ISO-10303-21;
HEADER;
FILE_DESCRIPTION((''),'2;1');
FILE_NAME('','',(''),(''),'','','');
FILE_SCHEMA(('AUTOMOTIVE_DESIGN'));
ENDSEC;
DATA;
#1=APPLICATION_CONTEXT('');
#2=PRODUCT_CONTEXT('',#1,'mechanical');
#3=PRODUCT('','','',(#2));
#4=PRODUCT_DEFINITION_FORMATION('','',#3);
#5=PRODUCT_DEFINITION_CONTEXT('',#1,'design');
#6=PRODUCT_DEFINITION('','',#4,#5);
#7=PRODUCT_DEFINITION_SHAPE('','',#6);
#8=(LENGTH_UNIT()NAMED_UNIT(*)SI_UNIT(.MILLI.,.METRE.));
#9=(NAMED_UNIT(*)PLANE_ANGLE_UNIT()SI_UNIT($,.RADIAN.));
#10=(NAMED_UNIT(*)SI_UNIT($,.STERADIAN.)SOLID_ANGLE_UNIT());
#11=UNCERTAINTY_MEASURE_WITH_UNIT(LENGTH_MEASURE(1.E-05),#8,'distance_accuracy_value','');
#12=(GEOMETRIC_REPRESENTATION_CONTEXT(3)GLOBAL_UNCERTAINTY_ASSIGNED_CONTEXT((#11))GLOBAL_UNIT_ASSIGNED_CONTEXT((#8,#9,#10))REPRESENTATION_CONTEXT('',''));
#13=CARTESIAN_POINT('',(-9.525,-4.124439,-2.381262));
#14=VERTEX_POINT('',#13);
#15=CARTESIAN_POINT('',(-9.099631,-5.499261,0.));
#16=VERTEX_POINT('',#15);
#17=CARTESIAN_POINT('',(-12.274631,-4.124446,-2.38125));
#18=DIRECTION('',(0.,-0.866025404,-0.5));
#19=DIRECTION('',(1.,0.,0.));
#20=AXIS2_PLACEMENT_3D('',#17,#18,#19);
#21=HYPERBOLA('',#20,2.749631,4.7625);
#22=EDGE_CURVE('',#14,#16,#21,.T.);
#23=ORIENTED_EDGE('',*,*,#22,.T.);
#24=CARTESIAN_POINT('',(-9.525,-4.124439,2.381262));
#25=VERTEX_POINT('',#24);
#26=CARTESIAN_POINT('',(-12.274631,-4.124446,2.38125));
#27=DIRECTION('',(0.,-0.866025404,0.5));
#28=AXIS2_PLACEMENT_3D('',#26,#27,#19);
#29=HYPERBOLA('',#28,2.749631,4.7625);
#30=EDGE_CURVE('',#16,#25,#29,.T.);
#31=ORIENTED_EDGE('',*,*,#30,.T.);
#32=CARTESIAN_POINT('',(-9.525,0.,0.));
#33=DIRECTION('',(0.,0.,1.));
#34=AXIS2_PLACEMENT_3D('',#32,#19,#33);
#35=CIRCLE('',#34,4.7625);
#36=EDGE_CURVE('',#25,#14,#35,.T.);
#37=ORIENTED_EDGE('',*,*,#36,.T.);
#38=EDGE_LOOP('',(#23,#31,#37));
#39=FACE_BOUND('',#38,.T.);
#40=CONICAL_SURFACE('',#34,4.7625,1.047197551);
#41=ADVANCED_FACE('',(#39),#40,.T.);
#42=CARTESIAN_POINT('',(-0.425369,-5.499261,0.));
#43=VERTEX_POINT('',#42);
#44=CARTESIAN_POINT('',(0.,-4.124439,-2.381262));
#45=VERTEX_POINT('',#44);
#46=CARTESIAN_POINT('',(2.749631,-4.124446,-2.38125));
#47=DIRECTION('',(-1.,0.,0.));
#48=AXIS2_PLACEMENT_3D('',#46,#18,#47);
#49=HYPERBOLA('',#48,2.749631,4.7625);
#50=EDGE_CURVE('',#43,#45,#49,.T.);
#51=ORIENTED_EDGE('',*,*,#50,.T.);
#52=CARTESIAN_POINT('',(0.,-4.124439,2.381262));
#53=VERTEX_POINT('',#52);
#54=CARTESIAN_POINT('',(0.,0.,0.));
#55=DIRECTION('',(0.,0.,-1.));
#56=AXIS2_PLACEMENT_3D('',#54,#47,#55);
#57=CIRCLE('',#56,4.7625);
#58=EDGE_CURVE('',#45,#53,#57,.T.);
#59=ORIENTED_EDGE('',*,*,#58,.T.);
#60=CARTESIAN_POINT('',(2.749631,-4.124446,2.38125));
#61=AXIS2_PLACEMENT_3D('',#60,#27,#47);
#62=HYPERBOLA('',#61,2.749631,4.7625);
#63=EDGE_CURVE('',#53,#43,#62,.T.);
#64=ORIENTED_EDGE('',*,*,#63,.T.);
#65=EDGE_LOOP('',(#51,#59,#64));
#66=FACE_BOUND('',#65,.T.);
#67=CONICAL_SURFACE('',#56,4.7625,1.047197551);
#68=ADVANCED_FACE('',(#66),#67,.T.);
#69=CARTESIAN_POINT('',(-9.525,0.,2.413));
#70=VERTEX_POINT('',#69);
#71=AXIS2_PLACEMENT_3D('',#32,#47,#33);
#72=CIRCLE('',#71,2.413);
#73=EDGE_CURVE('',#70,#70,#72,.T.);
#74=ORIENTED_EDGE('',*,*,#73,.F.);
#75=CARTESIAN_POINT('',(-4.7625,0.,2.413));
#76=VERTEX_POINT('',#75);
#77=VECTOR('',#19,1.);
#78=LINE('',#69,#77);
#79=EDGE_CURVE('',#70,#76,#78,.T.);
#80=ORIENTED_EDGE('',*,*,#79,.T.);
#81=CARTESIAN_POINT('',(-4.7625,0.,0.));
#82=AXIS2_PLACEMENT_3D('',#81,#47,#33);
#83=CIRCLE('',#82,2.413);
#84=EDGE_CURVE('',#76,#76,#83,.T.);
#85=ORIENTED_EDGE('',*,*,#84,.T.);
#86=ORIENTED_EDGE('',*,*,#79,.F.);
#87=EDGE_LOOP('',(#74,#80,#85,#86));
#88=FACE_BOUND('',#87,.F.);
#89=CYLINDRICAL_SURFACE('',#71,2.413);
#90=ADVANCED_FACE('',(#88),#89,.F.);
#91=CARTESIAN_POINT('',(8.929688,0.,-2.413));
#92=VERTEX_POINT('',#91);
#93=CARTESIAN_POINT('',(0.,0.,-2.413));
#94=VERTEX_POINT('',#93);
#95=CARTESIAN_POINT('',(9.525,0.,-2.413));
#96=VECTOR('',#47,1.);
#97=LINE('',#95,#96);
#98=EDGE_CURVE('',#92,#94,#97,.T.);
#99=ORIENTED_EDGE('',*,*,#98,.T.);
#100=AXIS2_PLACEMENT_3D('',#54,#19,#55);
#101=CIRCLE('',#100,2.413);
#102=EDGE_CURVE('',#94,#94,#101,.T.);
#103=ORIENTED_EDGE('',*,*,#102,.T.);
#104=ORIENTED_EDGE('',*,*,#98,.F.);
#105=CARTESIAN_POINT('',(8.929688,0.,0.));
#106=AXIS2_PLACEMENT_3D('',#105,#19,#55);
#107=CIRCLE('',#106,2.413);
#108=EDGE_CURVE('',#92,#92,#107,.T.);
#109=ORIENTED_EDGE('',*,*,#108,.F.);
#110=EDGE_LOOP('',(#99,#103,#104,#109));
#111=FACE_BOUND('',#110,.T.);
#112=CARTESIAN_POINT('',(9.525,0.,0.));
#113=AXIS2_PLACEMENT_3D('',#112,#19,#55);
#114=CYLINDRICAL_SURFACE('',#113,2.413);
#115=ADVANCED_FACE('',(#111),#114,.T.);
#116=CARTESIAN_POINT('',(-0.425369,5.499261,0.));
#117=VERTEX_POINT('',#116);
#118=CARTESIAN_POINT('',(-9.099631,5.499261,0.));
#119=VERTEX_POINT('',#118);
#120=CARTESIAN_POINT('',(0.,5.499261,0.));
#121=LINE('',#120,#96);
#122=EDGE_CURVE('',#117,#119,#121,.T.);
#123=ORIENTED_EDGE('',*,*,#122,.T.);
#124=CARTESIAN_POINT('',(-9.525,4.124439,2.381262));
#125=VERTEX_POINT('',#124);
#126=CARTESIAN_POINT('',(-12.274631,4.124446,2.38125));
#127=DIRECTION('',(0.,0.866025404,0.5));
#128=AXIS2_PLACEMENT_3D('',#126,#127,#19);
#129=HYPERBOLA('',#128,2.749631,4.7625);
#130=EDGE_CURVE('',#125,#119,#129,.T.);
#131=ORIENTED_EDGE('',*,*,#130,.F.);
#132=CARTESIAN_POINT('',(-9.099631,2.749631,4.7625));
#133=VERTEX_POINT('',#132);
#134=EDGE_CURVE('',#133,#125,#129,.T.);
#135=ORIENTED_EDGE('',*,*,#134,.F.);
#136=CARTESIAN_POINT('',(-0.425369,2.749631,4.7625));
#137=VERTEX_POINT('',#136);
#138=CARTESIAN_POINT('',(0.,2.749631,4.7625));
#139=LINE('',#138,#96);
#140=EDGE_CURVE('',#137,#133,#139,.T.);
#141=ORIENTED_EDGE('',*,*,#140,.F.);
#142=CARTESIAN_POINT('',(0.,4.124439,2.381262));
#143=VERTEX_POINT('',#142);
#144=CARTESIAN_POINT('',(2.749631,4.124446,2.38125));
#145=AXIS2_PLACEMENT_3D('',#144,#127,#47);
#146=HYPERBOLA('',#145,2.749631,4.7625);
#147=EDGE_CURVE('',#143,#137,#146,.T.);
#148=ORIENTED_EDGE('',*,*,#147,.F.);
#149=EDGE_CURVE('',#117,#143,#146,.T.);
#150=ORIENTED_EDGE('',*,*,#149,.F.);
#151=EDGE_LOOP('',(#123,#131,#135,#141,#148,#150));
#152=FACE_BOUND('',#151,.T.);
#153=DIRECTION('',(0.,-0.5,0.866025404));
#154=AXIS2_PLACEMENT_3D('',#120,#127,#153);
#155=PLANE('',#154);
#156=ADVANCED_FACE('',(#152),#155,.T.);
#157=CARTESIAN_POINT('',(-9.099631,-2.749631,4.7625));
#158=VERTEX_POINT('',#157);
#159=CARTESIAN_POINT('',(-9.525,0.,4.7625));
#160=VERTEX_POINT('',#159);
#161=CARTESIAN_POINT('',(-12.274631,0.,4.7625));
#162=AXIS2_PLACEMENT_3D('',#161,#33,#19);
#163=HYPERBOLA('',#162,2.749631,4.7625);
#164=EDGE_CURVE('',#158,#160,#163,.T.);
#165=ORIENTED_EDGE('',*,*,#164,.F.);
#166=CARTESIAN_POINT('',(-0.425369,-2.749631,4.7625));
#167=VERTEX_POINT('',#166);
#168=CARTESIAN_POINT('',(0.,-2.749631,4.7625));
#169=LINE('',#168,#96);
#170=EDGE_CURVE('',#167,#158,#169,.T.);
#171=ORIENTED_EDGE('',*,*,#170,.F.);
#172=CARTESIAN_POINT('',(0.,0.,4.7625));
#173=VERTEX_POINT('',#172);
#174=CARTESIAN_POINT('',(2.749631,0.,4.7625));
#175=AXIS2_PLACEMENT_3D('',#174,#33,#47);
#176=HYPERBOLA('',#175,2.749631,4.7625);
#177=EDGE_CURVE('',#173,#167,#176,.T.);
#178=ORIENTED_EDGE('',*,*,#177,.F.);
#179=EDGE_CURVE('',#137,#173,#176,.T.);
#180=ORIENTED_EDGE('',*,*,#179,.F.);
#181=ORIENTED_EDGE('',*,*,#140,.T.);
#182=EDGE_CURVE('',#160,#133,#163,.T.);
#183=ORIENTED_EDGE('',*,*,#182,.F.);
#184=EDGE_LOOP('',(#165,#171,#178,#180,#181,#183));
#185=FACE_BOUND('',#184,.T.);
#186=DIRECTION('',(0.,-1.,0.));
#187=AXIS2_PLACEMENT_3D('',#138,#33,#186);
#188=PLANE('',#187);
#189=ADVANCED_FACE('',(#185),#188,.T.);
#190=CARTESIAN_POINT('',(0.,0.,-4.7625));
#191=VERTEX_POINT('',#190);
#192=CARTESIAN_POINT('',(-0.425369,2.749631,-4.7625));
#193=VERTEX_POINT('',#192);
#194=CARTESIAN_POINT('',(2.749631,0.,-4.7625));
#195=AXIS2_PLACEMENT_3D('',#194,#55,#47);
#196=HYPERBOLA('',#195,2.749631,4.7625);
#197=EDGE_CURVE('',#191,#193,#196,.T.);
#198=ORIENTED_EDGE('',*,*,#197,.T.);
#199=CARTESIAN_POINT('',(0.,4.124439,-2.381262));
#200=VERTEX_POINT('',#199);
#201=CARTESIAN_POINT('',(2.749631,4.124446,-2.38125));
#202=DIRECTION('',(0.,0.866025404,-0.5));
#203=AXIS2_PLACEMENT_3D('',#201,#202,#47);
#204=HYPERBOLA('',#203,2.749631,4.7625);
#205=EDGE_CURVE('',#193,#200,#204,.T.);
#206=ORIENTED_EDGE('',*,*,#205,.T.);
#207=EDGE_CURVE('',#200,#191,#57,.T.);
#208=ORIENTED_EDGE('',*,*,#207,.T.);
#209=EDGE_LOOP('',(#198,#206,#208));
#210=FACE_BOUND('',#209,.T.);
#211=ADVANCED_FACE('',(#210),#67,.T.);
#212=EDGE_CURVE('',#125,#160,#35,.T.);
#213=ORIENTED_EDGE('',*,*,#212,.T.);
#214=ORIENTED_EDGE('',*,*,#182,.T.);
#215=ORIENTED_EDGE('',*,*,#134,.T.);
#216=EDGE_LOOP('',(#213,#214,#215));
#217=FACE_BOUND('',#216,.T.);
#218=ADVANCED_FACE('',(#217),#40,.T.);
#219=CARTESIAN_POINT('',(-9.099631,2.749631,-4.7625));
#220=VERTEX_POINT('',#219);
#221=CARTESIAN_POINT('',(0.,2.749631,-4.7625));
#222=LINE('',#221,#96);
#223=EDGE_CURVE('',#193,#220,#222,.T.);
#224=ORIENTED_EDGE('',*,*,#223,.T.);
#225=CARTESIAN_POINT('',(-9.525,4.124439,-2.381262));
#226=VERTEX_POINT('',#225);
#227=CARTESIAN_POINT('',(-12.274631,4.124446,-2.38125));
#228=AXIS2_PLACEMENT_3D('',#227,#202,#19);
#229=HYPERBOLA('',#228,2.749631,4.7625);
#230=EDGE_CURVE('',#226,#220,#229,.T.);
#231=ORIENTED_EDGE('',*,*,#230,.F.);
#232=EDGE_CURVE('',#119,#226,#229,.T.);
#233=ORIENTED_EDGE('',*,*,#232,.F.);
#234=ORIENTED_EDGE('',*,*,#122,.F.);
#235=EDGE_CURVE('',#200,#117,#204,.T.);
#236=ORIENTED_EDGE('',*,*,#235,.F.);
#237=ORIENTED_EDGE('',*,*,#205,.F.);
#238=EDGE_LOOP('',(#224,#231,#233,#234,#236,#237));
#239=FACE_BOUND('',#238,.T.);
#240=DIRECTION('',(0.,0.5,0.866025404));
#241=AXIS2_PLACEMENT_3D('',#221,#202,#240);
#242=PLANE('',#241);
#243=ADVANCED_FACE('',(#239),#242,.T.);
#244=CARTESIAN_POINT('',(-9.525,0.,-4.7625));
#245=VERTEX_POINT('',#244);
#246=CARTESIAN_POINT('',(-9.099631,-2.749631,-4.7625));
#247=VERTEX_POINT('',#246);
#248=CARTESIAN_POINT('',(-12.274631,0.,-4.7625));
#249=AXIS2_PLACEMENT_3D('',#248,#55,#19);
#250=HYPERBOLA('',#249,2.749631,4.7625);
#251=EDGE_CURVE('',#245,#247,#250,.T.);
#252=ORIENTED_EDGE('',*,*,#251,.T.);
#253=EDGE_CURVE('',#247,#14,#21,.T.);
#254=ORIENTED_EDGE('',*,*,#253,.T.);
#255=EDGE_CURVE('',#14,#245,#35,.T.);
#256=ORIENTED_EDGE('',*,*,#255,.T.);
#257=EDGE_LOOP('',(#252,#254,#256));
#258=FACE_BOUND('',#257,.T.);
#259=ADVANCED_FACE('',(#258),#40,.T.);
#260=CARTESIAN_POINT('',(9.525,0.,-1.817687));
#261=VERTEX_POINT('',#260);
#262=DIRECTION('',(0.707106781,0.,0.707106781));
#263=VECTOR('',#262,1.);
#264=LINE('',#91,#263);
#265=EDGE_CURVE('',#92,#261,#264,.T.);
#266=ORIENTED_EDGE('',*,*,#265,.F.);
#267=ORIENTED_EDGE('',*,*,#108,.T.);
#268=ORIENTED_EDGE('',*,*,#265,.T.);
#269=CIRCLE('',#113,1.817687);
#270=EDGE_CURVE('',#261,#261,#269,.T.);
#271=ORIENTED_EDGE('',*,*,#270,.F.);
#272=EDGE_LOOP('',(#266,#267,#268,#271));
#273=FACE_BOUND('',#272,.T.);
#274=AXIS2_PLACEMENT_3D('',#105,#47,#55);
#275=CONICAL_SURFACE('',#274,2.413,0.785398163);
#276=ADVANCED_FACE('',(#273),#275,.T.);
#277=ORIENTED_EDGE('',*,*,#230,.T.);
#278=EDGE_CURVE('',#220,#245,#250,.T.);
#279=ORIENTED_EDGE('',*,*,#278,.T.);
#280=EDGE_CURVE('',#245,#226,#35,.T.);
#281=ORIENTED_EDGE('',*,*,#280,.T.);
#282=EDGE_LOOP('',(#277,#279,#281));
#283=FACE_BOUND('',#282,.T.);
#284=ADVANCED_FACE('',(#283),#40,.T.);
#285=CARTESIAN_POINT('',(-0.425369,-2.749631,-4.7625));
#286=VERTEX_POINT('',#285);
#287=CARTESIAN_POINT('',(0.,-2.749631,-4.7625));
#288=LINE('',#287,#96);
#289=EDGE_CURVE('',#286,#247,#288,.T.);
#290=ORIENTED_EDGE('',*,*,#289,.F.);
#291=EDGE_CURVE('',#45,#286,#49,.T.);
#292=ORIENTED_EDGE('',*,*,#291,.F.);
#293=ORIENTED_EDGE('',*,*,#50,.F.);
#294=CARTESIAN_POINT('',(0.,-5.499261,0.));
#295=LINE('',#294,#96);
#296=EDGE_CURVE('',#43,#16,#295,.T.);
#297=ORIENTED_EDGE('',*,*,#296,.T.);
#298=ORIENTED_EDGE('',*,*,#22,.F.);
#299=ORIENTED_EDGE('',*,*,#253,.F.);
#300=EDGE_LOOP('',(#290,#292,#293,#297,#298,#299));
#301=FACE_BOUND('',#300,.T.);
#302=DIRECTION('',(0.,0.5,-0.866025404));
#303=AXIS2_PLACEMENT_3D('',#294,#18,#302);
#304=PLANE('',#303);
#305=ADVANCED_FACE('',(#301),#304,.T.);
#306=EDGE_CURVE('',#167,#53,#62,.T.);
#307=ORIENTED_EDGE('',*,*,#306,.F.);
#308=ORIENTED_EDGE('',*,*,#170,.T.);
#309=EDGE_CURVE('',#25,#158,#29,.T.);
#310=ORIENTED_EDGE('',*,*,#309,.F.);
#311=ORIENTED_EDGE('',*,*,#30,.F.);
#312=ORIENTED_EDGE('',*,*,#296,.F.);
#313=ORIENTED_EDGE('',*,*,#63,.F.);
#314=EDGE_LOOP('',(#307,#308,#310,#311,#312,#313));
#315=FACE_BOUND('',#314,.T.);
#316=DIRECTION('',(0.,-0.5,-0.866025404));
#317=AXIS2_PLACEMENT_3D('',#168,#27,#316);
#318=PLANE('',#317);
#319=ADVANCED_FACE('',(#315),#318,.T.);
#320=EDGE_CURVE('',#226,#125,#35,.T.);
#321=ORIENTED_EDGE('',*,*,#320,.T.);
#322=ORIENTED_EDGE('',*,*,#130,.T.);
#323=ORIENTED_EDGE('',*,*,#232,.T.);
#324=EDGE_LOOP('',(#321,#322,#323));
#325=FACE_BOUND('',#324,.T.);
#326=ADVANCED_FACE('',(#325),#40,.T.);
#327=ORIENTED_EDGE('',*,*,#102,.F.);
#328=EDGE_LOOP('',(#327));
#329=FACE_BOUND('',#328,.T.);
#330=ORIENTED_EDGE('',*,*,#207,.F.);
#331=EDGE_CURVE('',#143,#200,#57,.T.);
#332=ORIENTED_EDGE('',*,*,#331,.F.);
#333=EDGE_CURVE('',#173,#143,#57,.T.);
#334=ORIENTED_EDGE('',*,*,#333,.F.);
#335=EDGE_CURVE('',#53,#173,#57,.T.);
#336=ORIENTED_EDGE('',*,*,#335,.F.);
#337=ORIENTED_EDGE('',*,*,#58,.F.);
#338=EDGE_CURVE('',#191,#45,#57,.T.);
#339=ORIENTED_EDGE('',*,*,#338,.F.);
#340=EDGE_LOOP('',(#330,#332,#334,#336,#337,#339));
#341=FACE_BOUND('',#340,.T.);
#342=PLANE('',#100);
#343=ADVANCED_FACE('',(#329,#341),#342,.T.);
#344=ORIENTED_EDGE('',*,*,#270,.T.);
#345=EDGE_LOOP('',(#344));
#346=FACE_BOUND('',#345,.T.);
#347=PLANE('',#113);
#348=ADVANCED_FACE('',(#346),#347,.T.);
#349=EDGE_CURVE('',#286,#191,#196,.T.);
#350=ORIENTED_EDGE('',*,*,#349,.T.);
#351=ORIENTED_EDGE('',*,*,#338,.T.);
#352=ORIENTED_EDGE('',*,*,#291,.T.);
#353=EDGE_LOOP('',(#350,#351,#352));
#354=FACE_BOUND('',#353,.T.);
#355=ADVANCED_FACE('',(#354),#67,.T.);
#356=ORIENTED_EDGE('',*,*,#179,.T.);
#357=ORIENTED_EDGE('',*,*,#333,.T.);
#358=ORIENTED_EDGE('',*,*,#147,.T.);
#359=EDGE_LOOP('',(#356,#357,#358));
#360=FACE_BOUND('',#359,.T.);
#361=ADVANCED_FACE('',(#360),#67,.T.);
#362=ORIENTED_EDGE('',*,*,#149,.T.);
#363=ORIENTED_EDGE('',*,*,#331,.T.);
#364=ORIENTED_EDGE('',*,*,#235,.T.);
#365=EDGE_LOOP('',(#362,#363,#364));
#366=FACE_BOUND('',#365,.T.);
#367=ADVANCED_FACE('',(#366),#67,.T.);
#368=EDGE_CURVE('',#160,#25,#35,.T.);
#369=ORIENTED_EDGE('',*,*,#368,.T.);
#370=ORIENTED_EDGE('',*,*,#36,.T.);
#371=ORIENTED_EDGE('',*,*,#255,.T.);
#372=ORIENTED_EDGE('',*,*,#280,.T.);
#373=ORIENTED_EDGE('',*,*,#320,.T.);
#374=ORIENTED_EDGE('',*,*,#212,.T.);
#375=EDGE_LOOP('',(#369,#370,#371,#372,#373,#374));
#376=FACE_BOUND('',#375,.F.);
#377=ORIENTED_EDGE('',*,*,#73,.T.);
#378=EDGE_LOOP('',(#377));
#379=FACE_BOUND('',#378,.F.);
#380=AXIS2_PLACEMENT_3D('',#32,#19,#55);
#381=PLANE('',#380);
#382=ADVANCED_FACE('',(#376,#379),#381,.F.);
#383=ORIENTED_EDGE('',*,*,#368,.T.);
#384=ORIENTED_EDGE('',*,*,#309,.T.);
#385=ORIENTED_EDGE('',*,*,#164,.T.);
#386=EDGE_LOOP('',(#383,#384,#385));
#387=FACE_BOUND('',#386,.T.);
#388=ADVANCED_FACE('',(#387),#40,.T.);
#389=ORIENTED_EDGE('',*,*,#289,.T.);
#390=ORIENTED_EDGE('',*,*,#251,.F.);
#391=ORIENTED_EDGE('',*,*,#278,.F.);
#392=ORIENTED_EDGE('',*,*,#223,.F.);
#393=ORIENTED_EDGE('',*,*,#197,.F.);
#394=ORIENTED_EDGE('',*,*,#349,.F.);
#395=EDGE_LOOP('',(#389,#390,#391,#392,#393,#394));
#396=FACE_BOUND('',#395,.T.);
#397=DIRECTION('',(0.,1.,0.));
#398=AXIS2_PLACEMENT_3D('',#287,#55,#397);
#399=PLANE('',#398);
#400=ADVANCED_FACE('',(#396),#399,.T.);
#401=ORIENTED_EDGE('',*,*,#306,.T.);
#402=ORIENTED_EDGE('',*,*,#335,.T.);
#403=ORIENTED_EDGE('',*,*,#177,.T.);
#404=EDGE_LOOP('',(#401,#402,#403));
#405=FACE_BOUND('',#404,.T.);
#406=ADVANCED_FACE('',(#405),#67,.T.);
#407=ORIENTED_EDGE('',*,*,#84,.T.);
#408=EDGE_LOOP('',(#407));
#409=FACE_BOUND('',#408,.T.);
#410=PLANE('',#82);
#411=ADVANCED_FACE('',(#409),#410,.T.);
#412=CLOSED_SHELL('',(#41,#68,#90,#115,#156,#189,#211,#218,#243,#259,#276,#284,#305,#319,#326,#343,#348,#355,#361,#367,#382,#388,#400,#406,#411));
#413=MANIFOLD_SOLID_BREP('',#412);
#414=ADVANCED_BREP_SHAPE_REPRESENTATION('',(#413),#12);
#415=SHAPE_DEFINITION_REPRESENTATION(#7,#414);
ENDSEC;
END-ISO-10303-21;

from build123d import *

# Parameters (mm, degrees)
SKETCH2_R         = 2.413
EXTRUDE1_DEPTH    = 9.525
CHAMFER1_SIZE     = 0.5953125
EXTRUDE4_DEPTH    = 9.525
SKETCH8_OUTSIDE_W = 85.776
SKETCH8_OUTSIDE_H = 87.248
SKETCH8_OUTSIDE_R = 4.7625
EXTRUDE5_DEPTH    = 20.05
EXTRUDE5_TAPER    = 60
SKETCH9_OUTSIDE_W = 52.78
SKETCH9_OUTSIDE_H = 54.252
SKETCH9_OUTSIDE_R = 4.7625
EXTRUDE6_DEPTH    = 10.525
EXTRUDE6_TAPER    = 60
SKETCH10_R        = 2.413
EXTRUDE7_DEPTH    = 4.7625


with BuildPart() as part:
    # Sketch2 → Extrude1 (new body)
    with BuildSketch(Plane(origin=(9.525, 0, 0), x_dir=(0, 0, -1), z_dir=(1, 0, 0))):
        Circle(SKETCH2_R)
    extrude(amount=-EXTRUDE1_DEPTH)

    # Chamfer1
    chamfer1_edges = [part.edges().sort_by_distance(p)[0] for p in [
        (9.525, 0, 2.413),
    ]]
    chamfer(chamfer1_edges, length=CHAMFER1_SIZE)

    # Sketch7 → Extrude4 (add)
    with BuildSketch(Plane(origin=(0, 0, 0), x_dir=(0, 0, -1), z_dir=(1, 0, 0))):
        Polygon((0, 5.499261314), (-4.7625, 2.749630657), (-4.7625, -2.749630657), (0, -5.499261314), (4.7625, -2.749630657), (4.7625, 2.749630657), align=None)
    extrude(amount=-EXTRUDE4_DEPTH)

    # Sketch8 outside → Extrude5 (cut, through all)
    with BuildSketch(Plane.ZY.offset(9.525)):
        Rectangle(SKETCH8_OUTSIDE_W, SKETCH8_OUTSIDE_H)
        Circle(SKETCH8_OUTSIDE_R, mode=Mode.SUBTRACT)
    extrude(amount=-EXTRUDE5_DEPTH, taper=EXTRUDE5_TAPER, mode=Mode.SUBTRACT)

    # Sketch9 outside → Extrude6 (cut, through all)
    with BuildSketch(Plane(origin=(0, 0, 0), x_dir=(0, 0, -1), z_dir=(1, 0, 0))):
        Rectangle(SKETCH9_OUTSIDE_W, SKETCH9_OUTSIDE_H)
        Circle(SKETCH9_OUTSIDE_R, mode=Mode.SUBTRACT)
    extrude(amount=-EXTRUDE6_DEPTH, taper=EXTRUDE6_TAPER, mode=Mode.SUBTRACT)

    # Sketch10 → Extrude7 (cut)
    with BuildSketch(Plane.ZY.offset(9.525)):
        Circle(SKETCH10_R)
    extrude(amount=-EXTRUDE7_DEPTH, mode=Mode.SUBTRACT)


solid = part.part
